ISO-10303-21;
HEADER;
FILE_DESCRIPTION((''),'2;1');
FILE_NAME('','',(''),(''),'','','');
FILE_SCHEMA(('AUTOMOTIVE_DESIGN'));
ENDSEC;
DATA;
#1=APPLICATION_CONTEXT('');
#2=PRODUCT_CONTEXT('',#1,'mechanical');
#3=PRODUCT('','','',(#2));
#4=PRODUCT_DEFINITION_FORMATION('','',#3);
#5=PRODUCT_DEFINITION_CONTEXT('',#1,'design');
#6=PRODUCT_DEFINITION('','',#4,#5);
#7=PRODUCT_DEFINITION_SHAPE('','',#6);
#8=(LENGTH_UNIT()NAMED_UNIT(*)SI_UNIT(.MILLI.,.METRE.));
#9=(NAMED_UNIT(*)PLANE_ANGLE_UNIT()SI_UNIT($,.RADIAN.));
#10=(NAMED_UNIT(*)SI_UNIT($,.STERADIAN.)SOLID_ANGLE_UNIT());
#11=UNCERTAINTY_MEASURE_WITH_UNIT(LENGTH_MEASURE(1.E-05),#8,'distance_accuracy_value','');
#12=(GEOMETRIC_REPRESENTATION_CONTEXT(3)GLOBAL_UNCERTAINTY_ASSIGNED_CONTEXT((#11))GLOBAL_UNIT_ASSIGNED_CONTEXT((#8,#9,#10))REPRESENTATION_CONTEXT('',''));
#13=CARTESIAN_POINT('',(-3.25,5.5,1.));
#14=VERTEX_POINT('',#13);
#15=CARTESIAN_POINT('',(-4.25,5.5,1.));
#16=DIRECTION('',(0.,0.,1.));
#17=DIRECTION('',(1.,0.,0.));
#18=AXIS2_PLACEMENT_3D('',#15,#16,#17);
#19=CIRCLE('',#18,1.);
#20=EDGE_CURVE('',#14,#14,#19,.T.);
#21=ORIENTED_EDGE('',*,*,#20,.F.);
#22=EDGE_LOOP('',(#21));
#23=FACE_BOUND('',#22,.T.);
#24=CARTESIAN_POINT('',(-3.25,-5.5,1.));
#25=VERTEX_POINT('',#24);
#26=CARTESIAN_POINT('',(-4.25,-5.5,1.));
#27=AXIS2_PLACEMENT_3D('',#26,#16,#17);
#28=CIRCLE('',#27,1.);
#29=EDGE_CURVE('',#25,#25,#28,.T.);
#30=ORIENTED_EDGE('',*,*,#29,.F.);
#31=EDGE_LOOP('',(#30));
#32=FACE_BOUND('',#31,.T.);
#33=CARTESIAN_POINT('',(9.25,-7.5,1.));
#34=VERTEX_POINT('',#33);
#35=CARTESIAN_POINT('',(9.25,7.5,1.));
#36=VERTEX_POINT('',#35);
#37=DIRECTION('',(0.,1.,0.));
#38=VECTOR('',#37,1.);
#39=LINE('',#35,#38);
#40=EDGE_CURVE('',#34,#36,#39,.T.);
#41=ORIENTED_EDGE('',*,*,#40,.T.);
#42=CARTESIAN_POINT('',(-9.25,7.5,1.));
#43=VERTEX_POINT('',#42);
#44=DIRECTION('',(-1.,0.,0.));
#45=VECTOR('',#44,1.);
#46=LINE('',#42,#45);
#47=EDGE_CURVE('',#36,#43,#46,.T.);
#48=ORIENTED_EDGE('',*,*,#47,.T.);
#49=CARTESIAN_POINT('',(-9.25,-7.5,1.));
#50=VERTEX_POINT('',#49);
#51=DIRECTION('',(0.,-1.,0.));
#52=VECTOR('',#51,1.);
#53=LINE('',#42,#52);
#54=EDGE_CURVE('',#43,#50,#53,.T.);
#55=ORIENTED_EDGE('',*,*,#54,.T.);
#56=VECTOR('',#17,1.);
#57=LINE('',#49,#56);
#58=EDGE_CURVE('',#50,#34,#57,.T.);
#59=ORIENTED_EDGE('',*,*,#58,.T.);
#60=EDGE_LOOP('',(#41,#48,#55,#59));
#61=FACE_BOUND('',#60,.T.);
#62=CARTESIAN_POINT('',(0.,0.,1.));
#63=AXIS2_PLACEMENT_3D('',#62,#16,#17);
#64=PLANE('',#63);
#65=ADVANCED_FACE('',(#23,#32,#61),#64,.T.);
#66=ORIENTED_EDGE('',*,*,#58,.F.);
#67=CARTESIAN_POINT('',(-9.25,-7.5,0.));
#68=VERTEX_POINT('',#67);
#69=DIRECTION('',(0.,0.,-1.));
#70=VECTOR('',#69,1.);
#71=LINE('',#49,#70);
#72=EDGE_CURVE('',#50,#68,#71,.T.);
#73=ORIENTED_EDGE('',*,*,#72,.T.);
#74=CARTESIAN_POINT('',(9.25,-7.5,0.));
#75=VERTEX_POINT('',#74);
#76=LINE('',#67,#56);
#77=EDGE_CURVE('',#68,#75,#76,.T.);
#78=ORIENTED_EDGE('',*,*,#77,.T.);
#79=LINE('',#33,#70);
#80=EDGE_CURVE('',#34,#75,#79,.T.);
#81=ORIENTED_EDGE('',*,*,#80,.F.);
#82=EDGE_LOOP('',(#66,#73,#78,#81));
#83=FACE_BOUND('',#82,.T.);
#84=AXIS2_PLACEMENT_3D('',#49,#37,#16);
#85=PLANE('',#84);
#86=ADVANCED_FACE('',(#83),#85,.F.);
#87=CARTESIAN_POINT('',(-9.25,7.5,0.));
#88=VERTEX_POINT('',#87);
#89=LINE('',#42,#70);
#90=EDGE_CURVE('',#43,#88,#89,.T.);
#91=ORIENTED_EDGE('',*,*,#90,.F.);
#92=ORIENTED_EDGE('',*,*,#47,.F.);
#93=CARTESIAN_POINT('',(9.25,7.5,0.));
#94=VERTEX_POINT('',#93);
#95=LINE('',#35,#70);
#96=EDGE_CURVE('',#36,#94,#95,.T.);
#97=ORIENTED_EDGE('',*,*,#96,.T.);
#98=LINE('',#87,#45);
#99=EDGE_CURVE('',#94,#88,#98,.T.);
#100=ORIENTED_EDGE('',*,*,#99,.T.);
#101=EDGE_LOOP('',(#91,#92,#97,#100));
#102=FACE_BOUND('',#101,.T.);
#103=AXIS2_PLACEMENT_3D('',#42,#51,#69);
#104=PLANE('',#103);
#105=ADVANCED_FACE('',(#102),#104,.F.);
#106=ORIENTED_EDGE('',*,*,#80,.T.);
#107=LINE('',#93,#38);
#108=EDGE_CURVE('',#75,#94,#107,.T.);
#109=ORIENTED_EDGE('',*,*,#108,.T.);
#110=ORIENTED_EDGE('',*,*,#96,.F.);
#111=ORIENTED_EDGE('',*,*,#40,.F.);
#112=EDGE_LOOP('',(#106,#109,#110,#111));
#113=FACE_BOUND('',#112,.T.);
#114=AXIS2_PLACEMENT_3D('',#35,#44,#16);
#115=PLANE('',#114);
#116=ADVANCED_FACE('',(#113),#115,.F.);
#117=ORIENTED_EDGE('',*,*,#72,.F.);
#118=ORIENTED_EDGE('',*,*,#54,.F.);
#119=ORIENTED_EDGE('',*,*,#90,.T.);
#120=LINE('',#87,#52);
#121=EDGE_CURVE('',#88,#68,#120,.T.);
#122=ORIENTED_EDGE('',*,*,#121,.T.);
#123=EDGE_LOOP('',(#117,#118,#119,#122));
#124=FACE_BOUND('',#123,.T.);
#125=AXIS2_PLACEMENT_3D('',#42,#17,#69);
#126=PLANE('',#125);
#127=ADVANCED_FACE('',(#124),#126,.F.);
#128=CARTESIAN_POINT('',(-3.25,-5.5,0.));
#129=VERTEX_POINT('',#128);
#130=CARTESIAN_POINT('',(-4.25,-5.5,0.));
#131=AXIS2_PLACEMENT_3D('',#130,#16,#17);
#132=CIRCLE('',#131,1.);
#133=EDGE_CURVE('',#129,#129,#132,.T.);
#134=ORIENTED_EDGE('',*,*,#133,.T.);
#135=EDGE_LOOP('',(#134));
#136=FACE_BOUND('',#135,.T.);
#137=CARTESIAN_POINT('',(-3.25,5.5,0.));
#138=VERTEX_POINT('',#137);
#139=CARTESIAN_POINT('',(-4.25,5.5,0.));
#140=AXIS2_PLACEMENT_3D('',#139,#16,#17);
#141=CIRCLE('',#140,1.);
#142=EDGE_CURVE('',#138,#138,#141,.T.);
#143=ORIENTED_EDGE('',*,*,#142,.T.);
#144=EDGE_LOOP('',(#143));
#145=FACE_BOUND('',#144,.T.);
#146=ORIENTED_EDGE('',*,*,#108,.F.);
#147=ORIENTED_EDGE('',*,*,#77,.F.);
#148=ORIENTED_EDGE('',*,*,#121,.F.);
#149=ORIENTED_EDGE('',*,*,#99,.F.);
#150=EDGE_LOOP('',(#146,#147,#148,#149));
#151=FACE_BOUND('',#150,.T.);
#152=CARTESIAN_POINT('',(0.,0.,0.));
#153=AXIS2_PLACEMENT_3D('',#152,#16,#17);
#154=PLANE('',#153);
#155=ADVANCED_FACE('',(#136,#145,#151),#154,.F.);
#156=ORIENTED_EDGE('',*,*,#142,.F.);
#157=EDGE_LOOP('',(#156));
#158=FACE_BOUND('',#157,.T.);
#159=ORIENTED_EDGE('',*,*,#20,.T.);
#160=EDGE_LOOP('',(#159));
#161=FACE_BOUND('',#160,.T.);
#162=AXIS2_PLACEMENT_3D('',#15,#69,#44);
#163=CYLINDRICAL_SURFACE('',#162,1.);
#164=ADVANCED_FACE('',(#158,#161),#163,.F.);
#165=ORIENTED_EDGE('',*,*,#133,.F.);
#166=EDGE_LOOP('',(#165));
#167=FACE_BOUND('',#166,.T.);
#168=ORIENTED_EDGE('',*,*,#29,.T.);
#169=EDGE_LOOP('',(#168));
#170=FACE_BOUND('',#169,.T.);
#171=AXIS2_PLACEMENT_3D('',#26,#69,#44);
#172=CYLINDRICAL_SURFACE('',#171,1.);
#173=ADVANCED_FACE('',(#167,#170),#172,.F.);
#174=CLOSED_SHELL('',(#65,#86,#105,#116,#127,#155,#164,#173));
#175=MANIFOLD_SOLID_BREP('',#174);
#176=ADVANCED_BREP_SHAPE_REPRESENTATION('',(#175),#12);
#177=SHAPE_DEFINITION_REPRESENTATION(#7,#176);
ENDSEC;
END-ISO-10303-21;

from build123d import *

# Parameters (mm, degrees)
PCB_W               = 18.5
PCB_H               = 15
PCB_R               = 1
BOSS_EXTRUDE1_DEPTH = 1


with BuildPart() as part:
    # PCB → Boss-Extrude1 (new body)
    with BuildSketch(Plane.XY):
        Rectangle(PCB_W, PCB_H)
        with Locations((-4.25, 5.5)):
            Circle(PCB_R, mode=Mode.SUBTRACT)
        with Locations((-4.25, -5.5)):
            Circle(PCB_R, mode=Mode.SUBTRACT)
    extrude(amount=BOSS_EXTRUDE1_DEPTH)


solid = part.part
